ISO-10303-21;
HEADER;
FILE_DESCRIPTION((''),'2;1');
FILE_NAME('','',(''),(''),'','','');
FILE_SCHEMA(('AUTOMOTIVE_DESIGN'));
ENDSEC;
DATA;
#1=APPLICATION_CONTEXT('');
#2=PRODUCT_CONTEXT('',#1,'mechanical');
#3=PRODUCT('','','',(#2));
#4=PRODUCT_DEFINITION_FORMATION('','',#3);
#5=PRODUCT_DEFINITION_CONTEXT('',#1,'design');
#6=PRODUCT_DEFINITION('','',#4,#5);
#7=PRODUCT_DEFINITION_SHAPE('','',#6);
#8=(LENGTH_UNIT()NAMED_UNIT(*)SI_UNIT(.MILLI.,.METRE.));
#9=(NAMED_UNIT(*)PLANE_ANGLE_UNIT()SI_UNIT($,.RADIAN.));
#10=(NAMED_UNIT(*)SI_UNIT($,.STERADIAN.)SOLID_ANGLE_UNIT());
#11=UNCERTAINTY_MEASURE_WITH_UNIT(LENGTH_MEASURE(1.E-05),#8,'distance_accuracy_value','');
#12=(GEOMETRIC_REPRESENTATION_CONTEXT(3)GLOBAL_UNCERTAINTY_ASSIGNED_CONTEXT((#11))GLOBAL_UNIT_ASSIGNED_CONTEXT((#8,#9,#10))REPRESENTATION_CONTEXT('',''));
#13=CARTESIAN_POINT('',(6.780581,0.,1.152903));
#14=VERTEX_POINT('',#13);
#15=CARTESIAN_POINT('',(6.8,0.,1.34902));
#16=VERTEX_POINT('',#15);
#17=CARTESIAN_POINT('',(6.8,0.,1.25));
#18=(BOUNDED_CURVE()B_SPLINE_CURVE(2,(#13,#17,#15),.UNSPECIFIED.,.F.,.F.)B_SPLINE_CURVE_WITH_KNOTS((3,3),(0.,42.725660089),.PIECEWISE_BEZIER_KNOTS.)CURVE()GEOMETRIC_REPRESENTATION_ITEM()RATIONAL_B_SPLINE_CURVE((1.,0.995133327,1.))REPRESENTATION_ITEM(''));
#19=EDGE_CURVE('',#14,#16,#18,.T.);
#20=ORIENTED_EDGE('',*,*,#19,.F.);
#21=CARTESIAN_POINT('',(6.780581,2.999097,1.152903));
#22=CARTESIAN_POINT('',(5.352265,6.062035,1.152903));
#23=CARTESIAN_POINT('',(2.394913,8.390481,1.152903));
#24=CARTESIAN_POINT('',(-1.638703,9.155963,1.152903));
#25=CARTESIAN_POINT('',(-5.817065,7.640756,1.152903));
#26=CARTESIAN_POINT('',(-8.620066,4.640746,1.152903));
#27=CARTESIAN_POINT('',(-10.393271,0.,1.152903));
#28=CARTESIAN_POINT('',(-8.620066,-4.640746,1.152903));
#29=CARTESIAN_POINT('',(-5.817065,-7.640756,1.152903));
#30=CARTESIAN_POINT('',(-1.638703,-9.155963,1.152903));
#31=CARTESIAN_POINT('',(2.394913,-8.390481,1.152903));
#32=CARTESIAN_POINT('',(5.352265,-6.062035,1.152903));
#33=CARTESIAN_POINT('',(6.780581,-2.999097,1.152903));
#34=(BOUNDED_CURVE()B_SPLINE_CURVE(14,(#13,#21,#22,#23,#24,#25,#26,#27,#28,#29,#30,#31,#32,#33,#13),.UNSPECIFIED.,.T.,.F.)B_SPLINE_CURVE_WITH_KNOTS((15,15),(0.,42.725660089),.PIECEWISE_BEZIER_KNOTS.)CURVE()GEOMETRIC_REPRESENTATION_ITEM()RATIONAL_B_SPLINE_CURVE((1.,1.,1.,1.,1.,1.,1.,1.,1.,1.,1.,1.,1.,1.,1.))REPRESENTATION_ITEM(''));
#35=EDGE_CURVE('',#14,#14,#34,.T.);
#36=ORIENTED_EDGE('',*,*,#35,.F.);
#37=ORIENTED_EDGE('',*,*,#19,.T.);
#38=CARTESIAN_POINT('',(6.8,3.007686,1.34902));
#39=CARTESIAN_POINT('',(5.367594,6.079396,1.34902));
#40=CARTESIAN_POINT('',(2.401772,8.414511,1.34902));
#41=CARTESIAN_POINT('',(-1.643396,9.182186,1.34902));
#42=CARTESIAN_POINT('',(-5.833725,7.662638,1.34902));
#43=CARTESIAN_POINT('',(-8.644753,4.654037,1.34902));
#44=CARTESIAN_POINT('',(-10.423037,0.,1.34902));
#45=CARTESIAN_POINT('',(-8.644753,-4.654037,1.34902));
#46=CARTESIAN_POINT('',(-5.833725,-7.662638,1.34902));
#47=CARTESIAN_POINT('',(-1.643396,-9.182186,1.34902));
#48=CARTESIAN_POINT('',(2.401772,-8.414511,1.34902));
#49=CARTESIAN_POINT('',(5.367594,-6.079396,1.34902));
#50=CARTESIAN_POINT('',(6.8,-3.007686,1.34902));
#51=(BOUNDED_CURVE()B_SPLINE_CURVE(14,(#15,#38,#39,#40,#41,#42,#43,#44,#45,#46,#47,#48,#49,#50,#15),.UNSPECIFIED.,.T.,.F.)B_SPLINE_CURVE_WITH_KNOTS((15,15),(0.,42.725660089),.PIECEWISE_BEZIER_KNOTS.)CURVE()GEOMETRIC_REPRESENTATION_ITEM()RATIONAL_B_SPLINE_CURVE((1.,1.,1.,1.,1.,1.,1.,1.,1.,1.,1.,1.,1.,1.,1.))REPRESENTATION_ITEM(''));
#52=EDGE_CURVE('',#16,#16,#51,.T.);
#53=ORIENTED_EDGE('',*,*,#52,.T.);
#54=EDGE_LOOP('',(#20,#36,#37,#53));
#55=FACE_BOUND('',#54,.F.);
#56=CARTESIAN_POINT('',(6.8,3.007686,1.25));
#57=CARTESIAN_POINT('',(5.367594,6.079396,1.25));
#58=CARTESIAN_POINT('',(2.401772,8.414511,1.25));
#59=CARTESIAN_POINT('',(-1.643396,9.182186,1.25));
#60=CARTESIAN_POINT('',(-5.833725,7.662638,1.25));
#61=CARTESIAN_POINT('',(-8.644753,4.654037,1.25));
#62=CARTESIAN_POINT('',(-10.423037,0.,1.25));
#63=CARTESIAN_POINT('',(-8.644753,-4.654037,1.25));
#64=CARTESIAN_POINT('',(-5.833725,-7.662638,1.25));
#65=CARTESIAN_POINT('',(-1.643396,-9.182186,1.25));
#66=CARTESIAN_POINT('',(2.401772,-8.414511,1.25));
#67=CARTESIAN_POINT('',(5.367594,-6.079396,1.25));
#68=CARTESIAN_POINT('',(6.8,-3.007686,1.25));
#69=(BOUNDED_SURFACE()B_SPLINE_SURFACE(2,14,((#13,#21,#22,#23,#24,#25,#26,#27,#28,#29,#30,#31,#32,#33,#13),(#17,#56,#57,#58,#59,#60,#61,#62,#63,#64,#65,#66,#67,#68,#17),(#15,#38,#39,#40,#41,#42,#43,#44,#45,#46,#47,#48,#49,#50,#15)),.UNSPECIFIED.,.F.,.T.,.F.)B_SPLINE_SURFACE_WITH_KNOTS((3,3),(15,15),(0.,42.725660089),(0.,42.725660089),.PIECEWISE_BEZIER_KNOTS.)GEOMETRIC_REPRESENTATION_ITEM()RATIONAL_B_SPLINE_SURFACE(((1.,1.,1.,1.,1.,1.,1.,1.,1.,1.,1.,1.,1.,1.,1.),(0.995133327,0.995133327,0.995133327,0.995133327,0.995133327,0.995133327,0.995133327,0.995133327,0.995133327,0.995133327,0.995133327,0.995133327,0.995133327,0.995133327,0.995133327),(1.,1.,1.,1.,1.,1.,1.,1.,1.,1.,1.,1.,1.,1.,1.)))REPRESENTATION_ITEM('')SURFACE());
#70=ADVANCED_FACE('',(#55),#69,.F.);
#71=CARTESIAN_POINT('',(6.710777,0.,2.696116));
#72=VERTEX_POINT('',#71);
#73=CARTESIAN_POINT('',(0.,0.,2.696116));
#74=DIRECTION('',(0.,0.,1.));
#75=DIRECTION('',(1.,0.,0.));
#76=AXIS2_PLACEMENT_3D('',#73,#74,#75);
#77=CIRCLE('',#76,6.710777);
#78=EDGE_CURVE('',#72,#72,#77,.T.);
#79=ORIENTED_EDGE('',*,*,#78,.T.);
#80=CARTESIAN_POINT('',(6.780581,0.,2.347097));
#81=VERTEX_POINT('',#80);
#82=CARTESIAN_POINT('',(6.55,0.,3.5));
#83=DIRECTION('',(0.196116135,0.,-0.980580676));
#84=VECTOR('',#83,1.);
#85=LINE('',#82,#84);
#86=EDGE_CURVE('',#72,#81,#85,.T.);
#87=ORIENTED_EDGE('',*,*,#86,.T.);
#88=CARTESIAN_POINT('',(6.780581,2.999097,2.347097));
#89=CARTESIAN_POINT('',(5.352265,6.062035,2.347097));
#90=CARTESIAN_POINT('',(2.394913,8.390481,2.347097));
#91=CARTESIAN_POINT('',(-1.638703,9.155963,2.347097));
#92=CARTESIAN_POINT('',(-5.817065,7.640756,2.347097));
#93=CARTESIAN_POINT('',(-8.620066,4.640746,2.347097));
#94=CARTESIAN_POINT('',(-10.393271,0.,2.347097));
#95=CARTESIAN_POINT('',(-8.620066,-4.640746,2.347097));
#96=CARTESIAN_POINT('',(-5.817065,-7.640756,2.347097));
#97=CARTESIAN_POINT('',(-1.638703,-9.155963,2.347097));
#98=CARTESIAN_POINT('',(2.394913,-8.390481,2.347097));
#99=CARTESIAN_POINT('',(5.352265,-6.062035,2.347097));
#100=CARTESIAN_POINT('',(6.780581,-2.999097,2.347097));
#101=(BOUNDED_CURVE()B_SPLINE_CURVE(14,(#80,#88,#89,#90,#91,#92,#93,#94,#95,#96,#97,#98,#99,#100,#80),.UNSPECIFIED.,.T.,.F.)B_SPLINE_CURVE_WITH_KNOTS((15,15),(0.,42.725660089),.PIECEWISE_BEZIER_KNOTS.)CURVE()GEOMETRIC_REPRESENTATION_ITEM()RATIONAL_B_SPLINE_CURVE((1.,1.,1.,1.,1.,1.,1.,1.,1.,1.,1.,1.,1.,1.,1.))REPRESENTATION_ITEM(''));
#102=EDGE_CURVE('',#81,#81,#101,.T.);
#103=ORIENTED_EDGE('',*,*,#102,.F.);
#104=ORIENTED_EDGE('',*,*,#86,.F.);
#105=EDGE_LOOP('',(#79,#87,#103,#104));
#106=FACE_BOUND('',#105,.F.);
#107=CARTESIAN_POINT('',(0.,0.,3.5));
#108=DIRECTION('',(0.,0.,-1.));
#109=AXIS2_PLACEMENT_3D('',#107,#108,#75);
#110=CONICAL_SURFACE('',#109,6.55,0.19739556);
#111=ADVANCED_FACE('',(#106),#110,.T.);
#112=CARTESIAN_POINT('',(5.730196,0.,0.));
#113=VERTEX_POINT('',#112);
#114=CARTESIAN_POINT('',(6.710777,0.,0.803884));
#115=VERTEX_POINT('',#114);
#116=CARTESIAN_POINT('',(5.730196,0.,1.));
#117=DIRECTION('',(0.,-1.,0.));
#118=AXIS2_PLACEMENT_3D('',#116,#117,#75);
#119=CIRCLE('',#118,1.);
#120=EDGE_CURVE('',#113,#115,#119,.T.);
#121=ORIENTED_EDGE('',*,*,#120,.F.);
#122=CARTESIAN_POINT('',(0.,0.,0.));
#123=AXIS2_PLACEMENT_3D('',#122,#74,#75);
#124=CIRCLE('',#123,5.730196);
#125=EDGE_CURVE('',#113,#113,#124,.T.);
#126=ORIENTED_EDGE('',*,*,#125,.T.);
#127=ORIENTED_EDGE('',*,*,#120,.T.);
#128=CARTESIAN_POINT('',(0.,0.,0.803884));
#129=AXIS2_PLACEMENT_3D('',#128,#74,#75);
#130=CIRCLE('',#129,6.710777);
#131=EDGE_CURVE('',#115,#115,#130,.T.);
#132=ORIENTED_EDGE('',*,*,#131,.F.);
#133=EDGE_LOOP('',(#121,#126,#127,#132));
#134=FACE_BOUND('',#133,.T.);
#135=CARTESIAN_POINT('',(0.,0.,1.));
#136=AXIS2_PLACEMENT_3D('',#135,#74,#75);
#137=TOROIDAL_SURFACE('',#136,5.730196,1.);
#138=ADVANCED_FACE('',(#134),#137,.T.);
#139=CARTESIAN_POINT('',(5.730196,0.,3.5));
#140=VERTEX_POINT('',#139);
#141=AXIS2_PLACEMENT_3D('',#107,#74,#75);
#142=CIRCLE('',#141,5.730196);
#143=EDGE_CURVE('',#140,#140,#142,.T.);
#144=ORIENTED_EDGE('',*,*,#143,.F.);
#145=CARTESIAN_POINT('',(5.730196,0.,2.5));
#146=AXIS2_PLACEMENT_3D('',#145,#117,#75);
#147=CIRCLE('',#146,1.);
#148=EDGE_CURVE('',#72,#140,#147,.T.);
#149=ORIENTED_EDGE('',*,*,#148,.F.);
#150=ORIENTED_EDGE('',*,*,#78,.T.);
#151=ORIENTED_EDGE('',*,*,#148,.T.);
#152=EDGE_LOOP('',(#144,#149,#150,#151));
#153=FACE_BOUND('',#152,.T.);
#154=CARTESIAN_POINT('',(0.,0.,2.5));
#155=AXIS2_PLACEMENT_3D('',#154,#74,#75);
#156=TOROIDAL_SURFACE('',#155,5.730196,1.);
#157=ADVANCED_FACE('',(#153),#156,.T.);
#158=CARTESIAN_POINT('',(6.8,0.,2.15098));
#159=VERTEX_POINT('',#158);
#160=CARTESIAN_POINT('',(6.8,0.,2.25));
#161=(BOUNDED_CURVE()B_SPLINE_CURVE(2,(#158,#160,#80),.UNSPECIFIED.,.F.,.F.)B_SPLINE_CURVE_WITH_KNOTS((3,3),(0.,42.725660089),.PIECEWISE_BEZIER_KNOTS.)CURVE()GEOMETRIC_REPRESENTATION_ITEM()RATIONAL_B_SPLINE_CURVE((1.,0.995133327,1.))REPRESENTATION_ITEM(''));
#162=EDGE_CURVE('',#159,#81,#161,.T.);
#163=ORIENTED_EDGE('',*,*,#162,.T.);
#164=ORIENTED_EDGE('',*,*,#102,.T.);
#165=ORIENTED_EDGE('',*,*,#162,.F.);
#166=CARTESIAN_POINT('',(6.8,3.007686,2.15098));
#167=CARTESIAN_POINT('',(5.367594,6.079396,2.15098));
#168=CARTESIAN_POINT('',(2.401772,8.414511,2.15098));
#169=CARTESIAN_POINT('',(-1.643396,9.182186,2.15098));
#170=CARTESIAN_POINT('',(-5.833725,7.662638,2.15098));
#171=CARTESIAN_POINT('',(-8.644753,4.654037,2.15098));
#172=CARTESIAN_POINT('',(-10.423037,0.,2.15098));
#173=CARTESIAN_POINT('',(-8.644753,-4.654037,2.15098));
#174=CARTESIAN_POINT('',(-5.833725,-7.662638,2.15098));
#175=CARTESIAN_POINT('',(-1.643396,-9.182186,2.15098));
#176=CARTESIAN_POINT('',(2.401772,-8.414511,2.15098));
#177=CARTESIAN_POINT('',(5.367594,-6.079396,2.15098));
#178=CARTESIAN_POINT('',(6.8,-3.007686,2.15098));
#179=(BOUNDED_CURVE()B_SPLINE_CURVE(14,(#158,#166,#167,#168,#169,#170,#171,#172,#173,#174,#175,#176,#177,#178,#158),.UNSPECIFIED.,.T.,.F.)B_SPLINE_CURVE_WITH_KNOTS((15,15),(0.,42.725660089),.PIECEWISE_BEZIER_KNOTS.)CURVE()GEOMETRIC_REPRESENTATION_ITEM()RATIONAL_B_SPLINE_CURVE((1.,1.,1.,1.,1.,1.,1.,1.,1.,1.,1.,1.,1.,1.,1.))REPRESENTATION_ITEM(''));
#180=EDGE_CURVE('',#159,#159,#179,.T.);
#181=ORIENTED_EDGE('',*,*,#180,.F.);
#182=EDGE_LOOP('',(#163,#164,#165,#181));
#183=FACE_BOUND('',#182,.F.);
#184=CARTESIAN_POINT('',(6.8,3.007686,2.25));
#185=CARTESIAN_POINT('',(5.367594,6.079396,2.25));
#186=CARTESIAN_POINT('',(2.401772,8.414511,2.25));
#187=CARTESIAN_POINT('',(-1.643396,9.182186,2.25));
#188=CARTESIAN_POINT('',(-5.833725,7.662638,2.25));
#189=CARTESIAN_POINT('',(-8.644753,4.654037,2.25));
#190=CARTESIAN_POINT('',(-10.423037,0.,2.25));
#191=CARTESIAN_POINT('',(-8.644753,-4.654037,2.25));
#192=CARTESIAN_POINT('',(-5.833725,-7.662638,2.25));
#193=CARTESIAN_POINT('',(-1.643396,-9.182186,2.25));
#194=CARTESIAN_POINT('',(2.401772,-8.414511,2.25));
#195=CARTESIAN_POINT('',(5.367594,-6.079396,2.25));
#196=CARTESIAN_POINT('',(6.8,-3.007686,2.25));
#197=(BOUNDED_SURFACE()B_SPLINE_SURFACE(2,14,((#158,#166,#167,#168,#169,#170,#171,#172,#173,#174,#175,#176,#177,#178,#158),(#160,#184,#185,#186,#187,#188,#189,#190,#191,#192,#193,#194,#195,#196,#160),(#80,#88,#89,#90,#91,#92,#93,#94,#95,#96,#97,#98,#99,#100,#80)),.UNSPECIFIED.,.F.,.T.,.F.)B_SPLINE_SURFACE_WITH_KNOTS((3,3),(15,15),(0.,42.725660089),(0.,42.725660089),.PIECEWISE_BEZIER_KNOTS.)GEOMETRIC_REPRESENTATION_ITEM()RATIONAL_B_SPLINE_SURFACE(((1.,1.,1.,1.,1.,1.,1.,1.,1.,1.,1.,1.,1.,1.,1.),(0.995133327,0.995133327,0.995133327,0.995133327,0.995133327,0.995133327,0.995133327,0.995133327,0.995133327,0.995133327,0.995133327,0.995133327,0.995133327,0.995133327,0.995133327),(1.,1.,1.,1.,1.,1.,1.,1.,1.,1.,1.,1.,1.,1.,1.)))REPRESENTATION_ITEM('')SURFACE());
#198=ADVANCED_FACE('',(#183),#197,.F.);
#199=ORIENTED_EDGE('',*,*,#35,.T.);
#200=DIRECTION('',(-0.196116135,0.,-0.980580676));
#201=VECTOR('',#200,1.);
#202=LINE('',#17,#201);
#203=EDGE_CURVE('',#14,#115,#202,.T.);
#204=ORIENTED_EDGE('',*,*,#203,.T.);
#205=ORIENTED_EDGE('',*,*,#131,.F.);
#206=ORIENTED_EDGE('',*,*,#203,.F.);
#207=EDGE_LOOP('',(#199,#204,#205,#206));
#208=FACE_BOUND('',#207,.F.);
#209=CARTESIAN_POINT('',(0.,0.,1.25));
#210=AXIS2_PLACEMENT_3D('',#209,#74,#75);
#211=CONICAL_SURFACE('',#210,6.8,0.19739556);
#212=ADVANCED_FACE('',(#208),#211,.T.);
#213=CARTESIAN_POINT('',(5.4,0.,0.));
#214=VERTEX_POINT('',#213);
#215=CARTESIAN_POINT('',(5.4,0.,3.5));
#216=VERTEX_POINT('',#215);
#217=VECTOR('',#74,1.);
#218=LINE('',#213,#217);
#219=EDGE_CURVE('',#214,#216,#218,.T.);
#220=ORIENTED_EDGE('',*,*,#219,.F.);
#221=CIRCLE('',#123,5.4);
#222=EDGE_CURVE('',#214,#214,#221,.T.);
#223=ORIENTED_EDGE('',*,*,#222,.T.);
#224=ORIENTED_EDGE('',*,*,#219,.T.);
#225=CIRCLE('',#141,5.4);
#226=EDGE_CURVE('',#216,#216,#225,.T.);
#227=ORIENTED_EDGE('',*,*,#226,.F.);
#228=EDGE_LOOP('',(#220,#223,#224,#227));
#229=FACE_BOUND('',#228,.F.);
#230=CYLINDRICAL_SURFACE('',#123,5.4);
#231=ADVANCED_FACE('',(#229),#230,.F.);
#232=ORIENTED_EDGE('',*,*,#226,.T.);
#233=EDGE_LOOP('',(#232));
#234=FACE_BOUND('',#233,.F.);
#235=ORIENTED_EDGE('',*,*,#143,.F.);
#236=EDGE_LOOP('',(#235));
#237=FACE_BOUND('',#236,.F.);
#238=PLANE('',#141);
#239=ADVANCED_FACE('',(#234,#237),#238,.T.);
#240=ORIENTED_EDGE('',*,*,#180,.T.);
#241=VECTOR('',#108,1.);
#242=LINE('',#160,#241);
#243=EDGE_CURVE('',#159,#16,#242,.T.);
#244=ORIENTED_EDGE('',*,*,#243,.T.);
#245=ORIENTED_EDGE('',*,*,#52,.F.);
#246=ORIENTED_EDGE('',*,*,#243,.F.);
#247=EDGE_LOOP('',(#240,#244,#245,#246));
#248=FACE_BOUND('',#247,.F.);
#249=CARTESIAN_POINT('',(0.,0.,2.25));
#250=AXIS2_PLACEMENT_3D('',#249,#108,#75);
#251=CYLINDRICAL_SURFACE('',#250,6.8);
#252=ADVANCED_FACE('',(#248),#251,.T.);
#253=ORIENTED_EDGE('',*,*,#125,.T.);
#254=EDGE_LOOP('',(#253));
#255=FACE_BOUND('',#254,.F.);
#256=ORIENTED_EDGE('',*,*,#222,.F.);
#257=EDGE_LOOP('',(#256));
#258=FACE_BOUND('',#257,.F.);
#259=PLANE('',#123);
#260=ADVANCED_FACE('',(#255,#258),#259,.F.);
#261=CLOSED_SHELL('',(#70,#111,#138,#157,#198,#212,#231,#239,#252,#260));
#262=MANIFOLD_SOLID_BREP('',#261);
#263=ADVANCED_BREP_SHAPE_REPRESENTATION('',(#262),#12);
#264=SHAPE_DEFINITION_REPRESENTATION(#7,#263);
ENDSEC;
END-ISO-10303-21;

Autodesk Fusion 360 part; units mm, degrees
sketch "スケッチ1" plane through (0, 0, 0) normal (0, 1, 0) x (1, 0, 0)
  line L0 (0, 0) -> (5.4, 0)
  line L1 (5.4, 0) -> (5.4, -3.5)
  line L2 (5.4, -3.5) -> (6.55, -3.5)
  line L3 (6.55, -3.5) -> (6.8, -2.25)
  line L4 (6.8, -2.25) -> (6.8, -1.25)
  line L5 (6.8, -1.25) -> (6.55, 0)
  line L6 (6.55, 0) -> (5.4, 0)
  dimension "d1" = 3.5
  dimension "d3" = 5.4
  dimension "d4" = 1
  dimension "d5" = 0.25
  dimension "d8" = 6.8
revolve "回転1" add sketch "スケッチ1" angle 360 about axis through (0, 0, 1.75) along (0, 0, 1)
fillet "フィレット1" radius 1 4 edges at (-6.1067, -2.3686, 0) (-6.3398, -2.459, 1.25) (-6.3398, -2.459, 2.25) (-6.1067, -2.3686, 3.5)
equation "d8 = ( 13.6 / 2 ) * 1 mm"
